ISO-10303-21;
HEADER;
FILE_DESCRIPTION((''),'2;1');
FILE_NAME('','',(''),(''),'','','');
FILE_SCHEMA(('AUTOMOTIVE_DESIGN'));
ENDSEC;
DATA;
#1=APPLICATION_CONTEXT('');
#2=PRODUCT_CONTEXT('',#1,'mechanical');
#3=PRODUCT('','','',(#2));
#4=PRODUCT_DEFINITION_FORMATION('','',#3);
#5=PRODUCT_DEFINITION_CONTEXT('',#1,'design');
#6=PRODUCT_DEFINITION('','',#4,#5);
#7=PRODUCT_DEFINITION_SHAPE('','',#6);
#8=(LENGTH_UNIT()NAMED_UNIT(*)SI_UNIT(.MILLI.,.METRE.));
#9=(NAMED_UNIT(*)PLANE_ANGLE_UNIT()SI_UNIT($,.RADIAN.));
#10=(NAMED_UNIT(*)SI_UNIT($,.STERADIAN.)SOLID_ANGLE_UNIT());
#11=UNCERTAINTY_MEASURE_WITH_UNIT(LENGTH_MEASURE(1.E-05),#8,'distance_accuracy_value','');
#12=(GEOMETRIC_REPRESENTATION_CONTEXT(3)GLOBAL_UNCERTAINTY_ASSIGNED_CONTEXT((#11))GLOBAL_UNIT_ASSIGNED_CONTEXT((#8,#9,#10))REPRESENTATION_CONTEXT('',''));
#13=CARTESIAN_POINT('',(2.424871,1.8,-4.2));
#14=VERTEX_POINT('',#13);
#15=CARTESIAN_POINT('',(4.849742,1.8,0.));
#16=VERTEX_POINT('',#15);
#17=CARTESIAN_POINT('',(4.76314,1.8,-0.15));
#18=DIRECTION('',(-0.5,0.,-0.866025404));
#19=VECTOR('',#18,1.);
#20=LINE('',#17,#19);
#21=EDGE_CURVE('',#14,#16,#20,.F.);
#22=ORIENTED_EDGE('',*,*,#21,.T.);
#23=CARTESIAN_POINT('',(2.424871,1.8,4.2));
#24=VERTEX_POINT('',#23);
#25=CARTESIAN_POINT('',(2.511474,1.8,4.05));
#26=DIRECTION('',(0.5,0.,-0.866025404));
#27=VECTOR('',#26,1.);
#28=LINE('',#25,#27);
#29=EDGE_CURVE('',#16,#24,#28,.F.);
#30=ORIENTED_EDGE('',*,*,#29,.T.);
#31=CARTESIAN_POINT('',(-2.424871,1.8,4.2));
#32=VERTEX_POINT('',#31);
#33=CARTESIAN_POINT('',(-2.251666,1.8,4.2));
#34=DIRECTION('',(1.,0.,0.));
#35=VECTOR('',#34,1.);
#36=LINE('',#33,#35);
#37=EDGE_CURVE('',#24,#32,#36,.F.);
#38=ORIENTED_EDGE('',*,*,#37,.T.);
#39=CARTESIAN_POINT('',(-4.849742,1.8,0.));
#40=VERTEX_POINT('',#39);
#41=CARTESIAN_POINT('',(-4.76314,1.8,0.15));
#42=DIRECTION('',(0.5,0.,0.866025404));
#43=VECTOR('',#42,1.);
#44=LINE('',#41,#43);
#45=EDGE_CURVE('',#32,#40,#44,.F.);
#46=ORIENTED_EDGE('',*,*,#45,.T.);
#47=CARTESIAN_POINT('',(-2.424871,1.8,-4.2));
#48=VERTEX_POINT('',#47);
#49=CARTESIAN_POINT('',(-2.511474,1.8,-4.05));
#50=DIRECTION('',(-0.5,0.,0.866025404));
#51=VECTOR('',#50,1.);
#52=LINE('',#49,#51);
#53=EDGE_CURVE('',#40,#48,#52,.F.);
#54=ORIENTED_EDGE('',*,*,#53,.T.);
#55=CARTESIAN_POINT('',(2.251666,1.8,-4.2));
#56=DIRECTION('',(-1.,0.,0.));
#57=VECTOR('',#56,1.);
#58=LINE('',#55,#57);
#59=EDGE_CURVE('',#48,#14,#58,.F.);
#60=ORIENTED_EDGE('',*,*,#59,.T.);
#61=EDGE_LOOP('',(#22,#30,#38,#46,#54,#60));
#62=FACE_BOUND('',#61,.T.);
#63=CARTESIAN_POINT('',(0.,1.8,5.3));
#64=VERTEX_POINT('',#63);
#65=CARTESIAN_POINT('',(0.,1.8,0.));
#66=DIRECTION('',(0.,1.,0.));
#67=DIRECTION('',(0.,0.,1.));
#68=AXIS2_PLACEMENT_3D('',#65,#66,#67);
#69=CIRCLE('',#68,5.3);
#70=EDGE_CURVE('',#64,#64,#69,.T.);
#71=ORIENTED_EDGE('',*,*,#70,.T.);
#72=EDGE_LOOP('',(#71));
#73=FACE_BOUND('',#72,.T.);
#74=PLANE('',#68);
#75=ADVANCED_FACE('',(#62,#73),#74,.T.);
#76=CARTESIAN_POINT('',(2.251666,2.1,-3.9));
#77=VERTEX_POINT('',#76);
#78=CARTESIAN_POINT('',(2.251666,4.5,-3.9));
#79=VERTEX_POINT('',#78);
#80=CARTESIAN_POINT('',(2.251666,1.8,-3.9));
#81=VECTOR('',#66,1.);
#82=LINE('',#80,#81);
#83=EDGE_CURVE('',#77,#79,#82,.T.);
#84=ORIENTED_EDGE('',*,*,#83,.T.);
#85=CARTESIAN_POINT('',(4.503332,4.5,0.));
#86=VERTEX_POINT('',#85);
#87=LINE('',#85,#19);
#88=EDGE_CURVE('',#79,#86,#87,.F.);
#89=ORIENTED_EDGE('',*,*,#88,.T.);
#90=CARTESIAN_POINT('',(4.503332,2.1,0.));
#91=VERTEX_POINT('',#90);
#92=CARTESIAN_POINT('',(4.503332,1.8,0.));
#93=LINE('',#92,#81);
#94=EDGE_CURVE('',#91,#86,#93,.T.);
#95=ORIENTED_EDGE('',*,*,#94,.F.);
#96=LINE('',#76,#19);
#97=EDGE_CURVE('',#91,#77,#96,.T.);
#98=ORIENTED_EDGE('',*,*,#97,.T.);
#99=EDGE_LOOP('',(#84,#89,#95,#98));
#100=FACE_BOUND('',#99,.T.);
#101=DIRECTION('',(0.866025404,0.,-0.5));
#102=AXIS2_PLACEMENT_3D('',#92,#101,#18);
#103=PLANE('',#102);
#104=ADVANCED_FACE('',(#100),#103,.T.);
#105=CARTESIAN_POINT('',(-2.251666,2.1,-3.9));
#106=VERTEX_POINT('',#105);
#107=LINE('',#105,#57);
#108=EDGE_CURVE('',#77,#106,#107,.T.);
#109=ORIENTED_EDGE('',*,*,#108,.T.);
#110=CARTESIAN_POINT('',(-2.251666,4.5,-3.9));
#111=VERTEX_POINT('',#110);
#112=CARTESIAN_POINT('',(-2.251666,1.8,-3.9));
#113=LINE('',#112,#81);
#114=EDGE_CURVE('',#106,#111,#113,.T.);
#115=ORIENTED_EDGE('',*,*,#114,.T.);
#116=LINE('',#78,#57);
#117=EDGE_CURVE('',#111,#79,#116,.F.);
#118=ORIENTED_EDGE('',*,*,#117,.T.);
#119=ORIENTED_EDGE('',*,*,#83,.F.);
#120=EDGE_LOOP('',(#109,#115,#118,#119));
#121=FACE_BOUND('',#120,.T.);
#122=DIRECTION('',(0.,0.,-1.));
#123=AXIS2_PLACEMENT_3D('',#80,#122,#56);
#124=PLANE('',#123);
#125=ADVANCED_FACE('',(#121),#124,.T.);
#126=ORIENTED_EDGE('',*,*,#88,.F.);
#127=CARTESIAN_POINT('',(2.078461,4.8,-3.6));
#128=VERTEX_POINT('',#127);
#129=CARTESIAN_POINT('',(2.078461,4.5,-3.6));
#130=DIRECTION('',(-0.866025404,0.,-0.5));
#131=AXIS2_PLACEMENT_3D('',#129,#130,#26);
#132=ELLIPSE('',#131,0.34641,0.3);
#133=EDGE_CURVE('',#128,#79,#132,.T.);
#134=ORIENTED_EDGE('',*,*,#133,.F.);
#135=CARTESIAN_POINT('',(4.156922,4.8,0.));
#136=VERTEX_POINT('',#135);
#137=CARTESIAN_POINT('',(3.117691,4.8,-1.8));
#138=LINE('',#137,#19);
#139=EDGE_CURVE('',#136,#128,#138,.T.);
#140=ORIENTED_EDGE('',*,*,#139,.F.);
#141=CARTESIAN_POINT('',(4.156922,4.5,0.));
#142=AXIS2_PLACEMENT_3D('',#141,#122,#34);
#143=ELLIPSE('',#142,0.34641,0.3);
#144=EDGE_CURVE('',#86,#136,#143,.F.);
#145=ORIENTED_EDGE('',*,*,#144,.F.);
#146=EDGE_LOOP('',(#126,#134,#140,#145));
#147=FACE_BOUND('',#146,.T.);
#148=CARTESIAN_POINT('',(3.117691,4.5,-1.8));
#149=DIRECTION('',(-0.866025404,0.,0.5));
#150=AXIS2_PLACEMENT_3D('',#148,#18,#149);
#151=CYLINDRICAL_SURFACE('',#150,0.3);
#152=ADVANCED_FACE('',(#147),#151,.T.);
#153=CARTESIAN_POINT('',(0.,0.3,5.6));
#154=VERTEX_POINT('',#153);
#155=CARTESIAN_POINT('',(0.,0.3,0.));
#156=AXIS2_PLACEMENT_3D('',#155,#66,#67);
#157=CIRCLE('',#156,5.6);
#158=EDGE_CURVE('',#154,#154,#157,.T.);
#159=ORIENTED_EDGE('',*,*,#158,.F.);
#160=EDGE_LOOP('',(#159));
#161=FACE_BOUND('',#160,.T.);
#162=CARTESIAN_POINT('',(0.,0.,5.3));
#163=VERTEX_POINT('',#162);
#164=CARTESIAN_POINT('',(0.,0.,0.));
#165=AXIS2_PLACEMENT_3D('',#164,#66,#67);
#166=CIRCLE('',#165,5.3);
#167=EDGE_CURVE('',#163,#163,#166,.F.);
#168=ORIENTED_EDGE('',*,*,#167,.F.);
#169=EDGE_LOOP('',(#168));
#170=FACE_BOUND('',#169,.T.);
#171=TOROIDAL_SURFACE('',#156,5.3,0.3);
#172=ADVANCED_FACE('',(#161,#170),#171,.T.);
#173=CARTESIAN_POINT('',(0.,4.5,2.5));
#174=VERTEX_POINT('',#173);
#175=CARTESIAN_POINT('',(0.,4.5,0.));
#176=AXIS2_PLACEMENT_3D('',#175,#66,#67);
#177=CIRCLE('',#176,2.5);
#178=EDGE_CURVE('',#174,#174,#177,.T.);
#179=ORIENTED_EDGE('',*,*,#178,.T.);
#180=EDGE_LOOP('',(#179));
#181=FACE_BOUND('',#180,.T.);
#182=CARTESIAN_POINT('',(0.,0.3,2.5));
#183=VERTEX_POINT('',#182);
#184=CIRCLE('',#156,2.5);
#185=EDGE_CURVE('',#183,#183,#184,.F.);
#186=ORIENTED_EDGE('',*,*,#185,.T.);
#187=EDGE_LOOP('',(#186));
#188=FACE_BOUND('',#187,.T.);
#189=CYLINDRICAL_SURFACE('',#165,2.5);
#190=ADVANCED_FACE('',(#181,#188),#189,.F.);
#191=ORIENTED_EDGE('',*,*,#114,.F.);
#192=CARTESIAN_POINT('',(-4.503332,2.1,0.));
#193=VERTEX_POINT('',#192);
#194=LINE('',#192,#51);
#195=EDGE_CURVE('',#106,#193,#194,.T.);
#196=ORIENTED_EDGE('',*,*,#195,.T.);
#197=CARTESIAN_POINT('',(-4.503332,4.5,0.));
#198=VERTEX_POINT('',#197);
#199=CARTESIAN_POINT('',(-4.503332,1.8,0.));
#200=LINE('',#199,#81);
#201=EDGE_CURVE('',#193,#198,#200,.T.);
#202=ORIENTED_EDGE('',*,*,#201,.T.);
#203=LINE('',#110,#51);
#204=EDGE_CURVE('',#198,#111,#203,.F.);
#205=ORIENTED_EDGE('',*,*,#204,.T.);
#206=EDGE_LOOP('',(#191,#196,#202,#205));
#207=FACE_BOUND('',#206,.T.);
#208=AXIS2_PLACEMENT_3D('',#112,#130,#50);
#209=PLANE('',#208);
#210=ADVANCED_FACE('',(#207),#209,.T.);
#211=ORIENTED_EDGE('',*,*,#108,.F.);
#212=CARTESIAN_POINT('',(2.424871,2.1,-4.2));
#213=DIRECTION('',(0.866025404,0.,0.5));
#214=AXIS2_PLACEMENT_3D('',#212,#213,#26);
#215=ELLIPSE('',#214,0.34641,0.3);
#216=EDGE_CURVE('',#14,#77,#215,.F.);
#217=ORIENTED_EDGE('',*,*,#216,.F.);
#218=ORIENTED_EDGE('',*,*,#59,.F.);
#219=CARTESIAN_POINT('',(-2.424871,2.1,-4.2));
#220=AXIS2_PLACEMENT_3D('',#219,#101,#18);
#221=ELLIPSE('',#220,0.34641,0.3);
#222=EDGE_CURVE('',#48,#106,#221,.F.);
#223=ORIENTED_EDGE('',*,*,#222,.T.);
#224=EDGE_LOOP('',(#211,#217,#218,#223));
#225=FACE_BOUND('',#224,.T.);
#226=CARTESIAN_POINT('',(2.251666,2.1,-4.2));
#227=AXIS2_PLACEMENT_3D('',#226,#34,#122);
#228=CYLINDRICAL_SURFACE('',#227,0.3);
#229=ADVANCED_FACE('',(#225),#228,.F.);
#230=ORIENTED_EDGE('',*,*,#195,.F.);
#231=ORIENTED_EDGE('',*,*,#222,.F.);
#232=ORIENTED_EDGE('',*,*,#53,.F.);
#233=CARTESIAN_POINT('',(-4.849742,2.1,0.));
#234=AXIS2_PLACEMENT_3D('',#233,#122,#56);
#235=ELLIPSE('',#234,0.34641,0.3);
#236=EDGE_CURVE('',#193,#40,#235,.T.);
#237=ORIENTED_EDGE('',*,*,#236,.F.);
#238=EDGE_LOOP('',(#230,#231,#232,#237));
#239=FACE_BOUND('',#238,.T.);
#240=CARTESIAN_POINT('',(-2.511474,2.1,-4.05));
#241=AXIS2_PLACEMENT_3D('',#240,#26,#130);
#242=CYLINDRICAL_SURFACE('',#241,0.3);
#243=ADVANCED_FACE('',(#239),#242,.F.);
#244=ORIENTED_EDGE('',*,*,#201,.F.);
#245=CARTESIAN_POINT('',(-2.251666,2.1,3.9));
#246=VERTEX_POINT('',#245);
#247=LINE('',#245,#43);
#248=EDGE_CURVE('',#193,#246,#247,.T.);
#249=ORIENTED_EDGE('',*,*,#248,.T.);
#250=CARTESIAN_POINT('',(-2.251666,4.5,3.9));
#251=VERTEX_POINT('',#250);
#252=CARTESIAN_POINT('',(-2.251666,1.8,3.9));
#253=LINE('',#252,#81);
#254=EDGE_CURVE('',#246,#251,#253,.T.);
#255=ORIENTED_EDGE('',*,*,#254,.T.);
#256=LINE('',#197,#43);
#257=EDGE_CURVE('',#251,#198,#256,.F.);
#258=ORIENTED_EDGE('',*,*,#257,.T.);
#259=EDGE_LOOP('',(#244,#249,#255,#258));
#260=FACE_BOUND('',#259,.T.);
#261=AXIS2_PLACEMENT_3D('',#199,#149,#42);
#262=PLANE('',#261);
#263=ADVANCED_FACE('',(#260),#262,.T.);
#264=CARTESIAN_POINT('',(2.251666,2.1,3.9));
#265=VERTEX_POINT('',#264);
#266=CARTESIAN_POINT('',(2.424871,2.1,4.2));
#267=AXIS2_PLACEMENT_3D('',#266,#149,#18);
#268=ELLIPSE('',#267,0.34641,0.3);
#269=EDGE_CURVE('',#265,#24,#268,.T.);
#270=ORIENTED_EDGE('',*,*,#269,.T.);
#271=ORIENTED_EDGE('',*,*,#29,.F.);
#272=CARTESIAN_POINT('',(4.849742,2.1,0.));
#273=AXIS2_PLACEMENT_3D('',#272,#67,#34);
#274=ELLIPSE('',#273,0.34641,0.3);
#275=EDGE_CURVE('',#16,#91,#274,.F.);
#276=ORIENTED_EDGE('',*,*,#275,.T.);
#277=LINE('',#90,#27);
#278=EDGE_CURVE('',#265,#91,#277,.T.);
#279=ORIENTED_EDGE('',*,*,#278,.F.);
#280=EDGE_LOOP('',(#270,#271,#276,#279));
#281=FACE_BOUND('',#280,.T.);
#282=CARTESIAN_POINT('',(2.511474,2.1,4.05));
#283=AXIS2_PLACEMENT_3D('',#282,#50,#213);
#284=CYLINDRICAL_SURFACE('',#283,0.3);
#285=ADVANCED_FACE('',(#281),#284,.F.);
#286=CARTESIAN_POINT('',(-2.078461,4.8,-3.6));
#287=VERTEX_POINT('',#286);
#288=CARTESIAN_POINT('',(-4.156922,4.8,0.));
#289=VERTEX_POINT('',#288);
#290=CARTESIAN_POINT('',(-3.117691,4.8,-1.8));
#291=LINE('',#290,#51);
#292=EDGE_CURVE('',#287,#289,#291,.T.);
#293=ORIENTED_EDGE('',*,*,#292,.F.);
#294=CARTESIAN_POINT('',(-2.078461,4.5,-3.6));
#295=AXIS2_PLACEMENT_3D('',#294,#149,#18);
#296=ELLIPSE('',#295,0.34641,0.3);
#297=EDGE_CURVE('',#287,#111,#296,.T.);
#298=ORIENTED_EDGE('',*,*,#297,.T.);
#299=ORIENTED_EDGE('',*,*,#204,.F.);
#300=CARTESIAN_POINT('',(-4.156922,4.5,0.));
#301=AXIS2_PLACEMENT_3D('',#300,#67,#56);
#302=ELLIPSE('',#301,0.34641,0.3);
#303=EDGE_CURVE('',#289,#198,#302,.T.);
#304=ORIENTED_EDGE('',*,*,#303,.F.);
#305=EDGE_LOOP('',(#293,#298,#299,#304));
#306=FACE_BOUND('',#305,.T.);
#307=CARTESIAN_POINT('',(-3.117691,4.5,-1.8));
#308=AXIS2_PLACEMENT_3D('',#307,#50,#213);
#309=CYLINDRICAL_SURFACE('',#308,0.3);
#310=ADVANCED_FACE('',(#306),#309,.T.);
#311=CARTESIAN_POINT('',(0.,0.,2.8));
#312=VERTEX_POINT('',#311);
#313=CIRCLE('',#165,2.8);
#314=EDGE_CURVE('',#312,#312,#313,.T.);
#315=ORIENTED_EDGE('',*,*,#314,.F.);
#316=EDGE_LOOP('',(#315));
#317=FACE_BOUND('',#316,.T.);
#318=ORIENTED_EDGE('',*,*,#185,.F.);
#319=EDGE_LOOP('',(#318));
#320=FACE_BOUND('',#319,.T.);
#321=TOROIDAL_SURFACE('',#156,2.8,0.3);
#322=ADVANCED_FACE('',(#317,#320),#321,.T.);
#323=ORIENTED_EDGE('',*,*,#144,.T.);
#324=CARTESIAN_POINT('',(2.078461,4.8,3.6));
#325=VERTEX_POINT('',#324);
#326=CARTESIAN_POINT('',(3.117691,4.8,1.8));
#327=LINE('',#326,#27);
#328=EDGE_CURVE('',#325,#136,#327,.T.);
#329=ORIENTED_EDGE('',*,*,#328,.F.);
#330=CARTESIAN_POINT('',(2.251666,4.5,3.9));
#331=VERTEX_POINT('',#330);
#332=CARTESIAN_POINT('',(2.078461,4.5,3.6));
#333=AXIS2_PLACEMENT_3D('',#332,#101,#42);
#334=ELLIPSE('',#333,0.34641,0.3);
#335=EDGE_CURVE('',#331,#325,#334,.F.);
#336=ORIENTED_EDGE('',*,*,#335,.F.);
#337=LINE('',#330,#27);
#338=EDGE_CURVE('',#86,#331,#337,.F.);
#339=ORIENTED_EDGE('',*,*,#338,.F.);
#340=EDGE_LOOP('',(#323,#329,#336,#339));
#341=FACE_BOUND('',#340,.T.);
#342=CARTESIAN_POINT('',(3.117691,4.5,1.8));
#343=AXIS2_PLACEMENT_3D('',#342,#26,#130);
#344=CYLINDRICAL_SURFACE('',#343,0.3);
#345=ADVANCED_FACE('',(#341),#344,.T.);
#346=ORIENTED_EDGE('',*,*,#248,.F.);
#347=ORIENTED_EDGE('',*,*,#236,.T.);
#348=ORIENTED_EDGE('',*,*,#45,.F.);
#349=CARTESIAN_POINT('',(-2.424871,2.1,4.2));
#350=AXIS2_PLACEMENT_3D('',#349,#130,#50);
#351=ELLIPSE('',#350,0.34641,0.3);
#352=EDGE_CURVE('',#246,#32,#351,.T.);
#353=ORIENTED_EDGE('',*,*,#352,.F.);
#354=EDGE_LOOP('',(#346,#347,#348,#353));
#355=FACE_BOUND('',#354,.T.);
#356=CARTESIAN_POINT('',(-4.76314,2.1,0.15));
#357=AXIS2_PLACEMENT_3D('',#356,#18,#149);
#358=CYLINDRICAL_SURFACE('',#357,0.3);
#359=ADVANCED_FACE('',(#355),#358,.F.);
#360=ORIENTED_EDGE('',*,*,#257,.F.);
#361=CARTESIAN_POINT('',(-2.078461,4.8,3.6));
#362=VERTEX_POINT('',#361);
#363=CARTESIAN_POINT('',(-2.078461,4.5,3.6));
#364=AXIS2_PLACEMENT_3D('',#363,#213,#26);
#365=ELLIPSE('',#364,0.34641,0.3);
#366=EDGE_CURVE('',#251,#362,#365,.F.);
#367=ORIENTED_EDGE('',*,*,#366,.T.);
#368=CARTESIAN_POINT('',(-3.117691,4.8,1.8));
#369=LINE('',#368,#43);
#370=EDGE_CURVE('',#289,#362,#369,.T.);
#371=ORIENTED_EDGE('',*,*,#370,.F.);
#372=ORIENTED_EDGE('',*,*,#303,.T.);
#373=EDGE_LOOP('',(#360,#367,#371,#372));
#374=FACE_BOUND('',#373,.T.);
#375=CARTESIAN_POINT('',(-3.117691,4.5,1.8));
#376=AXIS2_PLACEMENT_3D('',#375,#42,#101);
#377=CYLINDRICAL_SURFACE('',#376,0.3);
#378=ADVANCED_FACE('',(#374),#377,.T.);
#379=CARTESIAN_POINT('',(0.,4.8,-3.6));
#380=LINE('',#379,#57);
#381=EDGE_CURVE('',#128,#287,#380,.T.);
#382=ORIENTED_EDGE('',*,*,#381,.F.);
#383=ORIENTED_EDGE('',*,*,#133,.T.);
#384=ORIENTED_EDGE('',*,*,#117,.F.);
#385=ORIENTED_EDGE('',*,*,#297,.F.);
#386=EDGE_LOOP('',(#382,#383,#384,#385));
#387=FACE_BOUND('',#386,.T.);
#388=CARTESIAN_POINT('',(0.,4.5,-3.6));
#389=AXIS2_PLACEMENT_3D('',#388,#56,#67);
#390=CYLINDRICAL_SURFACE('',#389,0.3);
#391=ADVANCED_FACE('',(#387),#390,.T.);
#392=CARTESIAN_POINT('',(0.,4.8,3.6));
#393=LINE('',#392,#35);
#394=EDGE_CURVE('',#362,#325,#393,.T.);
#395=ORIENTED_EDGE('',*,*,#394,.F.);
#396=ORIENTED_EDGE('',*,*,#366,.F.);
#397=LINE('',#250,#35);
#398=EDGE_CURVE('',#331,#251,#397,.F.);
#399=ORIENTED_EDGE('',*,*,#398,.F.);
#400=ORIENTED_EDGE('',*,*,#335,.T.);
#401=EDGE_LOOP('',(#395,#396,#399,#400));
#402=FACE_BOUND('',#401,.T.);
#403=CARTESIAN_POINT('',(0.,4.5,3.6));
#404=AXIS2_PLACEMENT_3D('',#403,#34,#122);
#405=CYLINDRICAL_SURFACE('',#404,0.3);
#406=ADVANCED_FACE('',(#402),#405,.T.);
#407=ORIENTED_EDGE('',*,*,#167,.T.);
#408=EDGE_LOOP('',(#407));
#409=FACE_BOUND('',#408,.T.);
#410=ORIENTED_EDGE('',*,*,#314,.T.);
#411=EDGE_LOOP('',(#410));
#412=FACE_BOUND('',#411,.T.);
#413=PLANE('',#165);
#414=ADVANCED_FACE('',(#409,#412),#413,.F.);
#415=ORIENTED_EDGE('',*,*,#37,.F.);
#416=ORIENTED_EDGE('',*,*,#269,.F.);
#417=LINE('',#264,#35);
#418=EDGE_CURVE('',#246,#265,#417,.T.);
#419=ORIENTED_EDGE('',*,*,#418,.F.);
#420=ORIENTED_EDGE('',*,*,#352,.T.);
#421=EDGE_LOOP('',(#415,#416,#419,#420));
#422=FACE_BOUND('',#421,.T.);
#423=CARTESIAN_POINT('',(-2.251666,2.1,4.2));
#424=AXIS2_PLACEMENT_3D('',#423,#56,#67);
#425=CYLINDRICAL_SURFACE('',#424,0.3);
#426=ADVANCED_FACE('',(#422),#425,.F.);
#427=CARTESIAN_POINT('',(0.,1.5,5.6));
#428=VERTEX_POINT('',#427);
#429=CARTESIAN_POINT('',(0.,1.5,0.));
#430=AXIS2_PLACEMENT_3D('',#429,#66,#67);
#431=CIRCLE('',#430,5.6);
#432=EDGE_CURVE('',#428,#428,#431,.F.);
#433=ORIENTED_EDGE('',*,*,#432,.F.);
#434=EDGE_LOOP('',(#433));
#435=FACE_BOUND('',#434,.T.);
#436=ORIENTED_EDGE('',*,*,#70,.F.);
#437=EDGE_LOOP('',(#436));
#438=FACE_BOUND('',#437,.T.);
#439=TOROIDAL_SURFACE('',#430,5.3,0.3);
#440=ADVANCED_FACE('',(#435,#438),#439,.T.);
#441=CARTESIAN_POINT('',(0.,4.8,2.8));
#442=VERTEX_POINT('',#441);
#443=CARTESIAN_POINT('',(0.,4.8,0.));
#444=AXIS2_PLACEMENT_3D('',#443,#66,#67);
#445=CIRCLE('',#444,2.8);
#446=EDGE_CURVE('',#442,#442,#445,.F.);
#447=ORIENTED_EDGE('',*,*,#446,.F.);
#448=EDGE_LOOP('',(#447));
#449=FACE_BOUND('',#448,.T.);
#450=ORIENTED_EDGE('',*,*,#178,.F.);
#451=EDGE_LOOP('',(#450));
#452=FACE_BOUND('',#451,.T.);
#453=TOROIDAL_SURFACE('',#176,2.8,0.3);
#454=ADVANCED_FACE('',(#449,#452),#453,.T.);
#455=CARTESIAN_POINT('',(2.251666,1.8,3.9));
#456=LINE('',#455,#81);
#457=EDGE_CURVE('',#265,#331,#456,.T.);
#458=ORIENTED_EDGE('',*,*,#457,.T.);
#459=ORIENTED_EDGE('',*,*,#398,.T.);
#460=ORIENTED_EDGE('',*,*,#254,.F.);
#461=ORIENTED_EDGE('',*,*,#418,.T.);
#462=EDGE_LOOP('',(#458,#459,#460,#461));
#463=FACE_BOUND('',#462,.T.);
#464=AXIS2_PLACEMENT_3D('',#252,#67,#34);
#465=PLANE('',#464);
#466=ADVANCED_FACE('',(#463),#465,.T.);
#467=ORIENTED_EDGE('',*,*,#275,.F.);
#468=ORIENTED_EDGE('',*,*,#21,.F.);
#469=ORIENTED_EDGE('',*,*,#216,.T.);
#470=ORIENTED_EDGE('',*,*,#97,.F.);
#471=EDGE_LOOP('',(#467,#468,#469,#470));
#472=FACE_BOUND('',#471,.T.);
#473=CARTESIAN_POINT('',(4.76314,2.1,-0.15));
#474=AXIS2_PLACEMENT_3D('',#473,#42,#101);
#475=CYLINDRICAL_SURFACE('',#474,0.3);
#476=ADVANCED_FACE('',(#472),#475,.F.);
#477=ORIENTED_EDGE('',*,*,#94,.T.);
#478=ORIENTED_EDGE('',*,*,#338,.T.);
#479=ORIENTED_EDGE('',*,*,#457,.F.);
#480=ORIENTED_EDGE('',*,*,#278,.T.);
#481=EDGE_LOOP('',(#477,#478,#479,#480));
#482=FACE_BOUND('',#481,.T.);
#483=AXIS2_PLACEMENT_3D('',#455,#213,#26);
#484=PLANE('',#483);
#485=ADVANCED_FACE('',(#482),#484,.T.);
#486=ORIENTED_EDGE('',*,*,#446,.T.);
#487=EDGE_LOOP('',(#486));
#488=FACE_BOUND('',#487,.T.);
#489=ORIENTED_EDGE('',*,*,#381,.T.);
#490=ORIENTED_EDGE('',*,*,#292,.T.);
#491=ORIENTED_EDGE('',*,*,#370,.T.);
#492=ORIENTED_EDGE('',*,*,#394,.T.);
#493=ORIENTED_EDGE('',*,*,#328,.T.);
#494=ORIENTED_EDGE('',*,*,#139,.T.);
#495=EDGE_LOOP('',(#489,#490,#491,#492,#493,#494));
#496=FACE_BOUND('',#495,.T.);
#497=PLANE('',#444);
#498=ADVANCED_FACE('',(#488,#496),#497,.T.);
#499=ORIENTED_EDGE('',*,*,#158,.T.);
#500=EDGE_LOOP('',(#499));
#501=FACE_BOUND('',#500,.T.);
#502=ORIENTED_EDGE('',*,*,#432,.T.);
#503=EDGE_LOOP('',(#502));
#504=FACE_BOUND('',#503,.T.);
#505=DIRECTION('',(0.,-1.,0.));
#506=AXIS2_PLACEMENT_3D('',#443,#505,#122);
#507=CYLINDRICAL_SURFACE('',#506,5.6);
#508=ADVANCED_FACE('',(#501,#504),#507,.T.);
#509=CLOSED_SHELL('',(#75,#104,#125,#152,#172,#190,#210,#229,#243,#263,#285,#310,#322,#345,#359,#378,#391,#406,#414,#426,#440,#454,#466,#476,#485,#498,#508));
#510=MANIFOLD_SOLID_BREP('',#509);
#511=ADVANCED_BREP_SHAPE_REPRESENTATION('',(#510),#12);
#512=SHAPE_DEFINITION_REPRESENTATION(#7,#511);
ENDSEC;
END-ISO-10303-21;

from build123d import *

# Parameters (mm, degrees)
SKETCH1_R           = 5.6
BOSS_EXTRUDE1_DEPTH = 4.8
SKETCH2_R           = 2.5
CUT_EXTRUDE1_DEPTH  = 4.8
SKETCH3_OUTSIDE_W   = 16.51
SKETCH3_OUTSIDE_H   = 16.51
CUT_EXTRUDE2_DEPTH  = 3
FILLET1_R           = 0.3


with BuildPart() as part:
    # Sketch1 → Boss-Extrude1 (new body)
    with BuildSketch(Plane(origin=(0, 0, 0), x_dir=(1, 0, 0), z_dir=(0, 1, 0))):
        Circle(SKETCH1_R)
    extrude(amount=BOSS_EXTRUDE1_DEPTH)

    # Sketch2 → Cut-Extrude1 (cut)
    with BuildSketch(Plane(origin=(0, 4.8, 0), x_dir=(1, 0, 0), z_dir=(0, 1, 0))):
        Circle(SKETCH2_R)
    extrude(amount=-CUT_EXTRUDE1_DEPTH, mode=Mode.SUBTRACT)

    # Sketch3 outside → Cut-Extrude2 (cut)
    with BuildSketch(Plane(origin=(0, 4.8, 0), x_dir=(1, 0, 0), z_dir=(0, 1, 0))):
        Rectangle(SKETCH3_OUTSIDE_W, SKETCH3_OUTSIDE_H)
        Polygon((4.5033321, 0), (2.25166605, 3.9), (-2.25166605, 3.9), (-4.5033321, 0), (-2.25166605, -3.9), (2.25166605, -3.9), align=None, mode=Mode.SUBTRACT)
    extrude(amount=-CUT_EXTRUDE2_DEPTH, mode=Mode.SUBTRACT)

    # Fillet1
    fillet1_edges = [part.edges().sort_by_distance(p)[0] for p in [
        (0, 1.8, 3.9),
        (3.377499075, 1.8, 1.95),
        (3.377499075, 1.8, -1.95),
        (0, 1.8, -3.9),
        (-3.377499075, 1.8, -1.95),
        (-3.377499075, 1.8, 1.95),
        (-5.6, 1.8, 0),
        (-5.6, 0, 0),
        (3.377499075, 4.8, 1.95),
        (0, 4.8, 3.9),
        (-3.377499075, 4.8, 1.95),
        (-3.377499075, 4.8, -1.95),
        (0, 4.8, -3.9),
        (3.377499075, 4.8, -1.95),
        (-2.5, 0, 0),
        (-2.5, 4.8, 0),
    ]]
    fillet(fillet1_edges, radius=FILLET1_R)


solid = part.part
